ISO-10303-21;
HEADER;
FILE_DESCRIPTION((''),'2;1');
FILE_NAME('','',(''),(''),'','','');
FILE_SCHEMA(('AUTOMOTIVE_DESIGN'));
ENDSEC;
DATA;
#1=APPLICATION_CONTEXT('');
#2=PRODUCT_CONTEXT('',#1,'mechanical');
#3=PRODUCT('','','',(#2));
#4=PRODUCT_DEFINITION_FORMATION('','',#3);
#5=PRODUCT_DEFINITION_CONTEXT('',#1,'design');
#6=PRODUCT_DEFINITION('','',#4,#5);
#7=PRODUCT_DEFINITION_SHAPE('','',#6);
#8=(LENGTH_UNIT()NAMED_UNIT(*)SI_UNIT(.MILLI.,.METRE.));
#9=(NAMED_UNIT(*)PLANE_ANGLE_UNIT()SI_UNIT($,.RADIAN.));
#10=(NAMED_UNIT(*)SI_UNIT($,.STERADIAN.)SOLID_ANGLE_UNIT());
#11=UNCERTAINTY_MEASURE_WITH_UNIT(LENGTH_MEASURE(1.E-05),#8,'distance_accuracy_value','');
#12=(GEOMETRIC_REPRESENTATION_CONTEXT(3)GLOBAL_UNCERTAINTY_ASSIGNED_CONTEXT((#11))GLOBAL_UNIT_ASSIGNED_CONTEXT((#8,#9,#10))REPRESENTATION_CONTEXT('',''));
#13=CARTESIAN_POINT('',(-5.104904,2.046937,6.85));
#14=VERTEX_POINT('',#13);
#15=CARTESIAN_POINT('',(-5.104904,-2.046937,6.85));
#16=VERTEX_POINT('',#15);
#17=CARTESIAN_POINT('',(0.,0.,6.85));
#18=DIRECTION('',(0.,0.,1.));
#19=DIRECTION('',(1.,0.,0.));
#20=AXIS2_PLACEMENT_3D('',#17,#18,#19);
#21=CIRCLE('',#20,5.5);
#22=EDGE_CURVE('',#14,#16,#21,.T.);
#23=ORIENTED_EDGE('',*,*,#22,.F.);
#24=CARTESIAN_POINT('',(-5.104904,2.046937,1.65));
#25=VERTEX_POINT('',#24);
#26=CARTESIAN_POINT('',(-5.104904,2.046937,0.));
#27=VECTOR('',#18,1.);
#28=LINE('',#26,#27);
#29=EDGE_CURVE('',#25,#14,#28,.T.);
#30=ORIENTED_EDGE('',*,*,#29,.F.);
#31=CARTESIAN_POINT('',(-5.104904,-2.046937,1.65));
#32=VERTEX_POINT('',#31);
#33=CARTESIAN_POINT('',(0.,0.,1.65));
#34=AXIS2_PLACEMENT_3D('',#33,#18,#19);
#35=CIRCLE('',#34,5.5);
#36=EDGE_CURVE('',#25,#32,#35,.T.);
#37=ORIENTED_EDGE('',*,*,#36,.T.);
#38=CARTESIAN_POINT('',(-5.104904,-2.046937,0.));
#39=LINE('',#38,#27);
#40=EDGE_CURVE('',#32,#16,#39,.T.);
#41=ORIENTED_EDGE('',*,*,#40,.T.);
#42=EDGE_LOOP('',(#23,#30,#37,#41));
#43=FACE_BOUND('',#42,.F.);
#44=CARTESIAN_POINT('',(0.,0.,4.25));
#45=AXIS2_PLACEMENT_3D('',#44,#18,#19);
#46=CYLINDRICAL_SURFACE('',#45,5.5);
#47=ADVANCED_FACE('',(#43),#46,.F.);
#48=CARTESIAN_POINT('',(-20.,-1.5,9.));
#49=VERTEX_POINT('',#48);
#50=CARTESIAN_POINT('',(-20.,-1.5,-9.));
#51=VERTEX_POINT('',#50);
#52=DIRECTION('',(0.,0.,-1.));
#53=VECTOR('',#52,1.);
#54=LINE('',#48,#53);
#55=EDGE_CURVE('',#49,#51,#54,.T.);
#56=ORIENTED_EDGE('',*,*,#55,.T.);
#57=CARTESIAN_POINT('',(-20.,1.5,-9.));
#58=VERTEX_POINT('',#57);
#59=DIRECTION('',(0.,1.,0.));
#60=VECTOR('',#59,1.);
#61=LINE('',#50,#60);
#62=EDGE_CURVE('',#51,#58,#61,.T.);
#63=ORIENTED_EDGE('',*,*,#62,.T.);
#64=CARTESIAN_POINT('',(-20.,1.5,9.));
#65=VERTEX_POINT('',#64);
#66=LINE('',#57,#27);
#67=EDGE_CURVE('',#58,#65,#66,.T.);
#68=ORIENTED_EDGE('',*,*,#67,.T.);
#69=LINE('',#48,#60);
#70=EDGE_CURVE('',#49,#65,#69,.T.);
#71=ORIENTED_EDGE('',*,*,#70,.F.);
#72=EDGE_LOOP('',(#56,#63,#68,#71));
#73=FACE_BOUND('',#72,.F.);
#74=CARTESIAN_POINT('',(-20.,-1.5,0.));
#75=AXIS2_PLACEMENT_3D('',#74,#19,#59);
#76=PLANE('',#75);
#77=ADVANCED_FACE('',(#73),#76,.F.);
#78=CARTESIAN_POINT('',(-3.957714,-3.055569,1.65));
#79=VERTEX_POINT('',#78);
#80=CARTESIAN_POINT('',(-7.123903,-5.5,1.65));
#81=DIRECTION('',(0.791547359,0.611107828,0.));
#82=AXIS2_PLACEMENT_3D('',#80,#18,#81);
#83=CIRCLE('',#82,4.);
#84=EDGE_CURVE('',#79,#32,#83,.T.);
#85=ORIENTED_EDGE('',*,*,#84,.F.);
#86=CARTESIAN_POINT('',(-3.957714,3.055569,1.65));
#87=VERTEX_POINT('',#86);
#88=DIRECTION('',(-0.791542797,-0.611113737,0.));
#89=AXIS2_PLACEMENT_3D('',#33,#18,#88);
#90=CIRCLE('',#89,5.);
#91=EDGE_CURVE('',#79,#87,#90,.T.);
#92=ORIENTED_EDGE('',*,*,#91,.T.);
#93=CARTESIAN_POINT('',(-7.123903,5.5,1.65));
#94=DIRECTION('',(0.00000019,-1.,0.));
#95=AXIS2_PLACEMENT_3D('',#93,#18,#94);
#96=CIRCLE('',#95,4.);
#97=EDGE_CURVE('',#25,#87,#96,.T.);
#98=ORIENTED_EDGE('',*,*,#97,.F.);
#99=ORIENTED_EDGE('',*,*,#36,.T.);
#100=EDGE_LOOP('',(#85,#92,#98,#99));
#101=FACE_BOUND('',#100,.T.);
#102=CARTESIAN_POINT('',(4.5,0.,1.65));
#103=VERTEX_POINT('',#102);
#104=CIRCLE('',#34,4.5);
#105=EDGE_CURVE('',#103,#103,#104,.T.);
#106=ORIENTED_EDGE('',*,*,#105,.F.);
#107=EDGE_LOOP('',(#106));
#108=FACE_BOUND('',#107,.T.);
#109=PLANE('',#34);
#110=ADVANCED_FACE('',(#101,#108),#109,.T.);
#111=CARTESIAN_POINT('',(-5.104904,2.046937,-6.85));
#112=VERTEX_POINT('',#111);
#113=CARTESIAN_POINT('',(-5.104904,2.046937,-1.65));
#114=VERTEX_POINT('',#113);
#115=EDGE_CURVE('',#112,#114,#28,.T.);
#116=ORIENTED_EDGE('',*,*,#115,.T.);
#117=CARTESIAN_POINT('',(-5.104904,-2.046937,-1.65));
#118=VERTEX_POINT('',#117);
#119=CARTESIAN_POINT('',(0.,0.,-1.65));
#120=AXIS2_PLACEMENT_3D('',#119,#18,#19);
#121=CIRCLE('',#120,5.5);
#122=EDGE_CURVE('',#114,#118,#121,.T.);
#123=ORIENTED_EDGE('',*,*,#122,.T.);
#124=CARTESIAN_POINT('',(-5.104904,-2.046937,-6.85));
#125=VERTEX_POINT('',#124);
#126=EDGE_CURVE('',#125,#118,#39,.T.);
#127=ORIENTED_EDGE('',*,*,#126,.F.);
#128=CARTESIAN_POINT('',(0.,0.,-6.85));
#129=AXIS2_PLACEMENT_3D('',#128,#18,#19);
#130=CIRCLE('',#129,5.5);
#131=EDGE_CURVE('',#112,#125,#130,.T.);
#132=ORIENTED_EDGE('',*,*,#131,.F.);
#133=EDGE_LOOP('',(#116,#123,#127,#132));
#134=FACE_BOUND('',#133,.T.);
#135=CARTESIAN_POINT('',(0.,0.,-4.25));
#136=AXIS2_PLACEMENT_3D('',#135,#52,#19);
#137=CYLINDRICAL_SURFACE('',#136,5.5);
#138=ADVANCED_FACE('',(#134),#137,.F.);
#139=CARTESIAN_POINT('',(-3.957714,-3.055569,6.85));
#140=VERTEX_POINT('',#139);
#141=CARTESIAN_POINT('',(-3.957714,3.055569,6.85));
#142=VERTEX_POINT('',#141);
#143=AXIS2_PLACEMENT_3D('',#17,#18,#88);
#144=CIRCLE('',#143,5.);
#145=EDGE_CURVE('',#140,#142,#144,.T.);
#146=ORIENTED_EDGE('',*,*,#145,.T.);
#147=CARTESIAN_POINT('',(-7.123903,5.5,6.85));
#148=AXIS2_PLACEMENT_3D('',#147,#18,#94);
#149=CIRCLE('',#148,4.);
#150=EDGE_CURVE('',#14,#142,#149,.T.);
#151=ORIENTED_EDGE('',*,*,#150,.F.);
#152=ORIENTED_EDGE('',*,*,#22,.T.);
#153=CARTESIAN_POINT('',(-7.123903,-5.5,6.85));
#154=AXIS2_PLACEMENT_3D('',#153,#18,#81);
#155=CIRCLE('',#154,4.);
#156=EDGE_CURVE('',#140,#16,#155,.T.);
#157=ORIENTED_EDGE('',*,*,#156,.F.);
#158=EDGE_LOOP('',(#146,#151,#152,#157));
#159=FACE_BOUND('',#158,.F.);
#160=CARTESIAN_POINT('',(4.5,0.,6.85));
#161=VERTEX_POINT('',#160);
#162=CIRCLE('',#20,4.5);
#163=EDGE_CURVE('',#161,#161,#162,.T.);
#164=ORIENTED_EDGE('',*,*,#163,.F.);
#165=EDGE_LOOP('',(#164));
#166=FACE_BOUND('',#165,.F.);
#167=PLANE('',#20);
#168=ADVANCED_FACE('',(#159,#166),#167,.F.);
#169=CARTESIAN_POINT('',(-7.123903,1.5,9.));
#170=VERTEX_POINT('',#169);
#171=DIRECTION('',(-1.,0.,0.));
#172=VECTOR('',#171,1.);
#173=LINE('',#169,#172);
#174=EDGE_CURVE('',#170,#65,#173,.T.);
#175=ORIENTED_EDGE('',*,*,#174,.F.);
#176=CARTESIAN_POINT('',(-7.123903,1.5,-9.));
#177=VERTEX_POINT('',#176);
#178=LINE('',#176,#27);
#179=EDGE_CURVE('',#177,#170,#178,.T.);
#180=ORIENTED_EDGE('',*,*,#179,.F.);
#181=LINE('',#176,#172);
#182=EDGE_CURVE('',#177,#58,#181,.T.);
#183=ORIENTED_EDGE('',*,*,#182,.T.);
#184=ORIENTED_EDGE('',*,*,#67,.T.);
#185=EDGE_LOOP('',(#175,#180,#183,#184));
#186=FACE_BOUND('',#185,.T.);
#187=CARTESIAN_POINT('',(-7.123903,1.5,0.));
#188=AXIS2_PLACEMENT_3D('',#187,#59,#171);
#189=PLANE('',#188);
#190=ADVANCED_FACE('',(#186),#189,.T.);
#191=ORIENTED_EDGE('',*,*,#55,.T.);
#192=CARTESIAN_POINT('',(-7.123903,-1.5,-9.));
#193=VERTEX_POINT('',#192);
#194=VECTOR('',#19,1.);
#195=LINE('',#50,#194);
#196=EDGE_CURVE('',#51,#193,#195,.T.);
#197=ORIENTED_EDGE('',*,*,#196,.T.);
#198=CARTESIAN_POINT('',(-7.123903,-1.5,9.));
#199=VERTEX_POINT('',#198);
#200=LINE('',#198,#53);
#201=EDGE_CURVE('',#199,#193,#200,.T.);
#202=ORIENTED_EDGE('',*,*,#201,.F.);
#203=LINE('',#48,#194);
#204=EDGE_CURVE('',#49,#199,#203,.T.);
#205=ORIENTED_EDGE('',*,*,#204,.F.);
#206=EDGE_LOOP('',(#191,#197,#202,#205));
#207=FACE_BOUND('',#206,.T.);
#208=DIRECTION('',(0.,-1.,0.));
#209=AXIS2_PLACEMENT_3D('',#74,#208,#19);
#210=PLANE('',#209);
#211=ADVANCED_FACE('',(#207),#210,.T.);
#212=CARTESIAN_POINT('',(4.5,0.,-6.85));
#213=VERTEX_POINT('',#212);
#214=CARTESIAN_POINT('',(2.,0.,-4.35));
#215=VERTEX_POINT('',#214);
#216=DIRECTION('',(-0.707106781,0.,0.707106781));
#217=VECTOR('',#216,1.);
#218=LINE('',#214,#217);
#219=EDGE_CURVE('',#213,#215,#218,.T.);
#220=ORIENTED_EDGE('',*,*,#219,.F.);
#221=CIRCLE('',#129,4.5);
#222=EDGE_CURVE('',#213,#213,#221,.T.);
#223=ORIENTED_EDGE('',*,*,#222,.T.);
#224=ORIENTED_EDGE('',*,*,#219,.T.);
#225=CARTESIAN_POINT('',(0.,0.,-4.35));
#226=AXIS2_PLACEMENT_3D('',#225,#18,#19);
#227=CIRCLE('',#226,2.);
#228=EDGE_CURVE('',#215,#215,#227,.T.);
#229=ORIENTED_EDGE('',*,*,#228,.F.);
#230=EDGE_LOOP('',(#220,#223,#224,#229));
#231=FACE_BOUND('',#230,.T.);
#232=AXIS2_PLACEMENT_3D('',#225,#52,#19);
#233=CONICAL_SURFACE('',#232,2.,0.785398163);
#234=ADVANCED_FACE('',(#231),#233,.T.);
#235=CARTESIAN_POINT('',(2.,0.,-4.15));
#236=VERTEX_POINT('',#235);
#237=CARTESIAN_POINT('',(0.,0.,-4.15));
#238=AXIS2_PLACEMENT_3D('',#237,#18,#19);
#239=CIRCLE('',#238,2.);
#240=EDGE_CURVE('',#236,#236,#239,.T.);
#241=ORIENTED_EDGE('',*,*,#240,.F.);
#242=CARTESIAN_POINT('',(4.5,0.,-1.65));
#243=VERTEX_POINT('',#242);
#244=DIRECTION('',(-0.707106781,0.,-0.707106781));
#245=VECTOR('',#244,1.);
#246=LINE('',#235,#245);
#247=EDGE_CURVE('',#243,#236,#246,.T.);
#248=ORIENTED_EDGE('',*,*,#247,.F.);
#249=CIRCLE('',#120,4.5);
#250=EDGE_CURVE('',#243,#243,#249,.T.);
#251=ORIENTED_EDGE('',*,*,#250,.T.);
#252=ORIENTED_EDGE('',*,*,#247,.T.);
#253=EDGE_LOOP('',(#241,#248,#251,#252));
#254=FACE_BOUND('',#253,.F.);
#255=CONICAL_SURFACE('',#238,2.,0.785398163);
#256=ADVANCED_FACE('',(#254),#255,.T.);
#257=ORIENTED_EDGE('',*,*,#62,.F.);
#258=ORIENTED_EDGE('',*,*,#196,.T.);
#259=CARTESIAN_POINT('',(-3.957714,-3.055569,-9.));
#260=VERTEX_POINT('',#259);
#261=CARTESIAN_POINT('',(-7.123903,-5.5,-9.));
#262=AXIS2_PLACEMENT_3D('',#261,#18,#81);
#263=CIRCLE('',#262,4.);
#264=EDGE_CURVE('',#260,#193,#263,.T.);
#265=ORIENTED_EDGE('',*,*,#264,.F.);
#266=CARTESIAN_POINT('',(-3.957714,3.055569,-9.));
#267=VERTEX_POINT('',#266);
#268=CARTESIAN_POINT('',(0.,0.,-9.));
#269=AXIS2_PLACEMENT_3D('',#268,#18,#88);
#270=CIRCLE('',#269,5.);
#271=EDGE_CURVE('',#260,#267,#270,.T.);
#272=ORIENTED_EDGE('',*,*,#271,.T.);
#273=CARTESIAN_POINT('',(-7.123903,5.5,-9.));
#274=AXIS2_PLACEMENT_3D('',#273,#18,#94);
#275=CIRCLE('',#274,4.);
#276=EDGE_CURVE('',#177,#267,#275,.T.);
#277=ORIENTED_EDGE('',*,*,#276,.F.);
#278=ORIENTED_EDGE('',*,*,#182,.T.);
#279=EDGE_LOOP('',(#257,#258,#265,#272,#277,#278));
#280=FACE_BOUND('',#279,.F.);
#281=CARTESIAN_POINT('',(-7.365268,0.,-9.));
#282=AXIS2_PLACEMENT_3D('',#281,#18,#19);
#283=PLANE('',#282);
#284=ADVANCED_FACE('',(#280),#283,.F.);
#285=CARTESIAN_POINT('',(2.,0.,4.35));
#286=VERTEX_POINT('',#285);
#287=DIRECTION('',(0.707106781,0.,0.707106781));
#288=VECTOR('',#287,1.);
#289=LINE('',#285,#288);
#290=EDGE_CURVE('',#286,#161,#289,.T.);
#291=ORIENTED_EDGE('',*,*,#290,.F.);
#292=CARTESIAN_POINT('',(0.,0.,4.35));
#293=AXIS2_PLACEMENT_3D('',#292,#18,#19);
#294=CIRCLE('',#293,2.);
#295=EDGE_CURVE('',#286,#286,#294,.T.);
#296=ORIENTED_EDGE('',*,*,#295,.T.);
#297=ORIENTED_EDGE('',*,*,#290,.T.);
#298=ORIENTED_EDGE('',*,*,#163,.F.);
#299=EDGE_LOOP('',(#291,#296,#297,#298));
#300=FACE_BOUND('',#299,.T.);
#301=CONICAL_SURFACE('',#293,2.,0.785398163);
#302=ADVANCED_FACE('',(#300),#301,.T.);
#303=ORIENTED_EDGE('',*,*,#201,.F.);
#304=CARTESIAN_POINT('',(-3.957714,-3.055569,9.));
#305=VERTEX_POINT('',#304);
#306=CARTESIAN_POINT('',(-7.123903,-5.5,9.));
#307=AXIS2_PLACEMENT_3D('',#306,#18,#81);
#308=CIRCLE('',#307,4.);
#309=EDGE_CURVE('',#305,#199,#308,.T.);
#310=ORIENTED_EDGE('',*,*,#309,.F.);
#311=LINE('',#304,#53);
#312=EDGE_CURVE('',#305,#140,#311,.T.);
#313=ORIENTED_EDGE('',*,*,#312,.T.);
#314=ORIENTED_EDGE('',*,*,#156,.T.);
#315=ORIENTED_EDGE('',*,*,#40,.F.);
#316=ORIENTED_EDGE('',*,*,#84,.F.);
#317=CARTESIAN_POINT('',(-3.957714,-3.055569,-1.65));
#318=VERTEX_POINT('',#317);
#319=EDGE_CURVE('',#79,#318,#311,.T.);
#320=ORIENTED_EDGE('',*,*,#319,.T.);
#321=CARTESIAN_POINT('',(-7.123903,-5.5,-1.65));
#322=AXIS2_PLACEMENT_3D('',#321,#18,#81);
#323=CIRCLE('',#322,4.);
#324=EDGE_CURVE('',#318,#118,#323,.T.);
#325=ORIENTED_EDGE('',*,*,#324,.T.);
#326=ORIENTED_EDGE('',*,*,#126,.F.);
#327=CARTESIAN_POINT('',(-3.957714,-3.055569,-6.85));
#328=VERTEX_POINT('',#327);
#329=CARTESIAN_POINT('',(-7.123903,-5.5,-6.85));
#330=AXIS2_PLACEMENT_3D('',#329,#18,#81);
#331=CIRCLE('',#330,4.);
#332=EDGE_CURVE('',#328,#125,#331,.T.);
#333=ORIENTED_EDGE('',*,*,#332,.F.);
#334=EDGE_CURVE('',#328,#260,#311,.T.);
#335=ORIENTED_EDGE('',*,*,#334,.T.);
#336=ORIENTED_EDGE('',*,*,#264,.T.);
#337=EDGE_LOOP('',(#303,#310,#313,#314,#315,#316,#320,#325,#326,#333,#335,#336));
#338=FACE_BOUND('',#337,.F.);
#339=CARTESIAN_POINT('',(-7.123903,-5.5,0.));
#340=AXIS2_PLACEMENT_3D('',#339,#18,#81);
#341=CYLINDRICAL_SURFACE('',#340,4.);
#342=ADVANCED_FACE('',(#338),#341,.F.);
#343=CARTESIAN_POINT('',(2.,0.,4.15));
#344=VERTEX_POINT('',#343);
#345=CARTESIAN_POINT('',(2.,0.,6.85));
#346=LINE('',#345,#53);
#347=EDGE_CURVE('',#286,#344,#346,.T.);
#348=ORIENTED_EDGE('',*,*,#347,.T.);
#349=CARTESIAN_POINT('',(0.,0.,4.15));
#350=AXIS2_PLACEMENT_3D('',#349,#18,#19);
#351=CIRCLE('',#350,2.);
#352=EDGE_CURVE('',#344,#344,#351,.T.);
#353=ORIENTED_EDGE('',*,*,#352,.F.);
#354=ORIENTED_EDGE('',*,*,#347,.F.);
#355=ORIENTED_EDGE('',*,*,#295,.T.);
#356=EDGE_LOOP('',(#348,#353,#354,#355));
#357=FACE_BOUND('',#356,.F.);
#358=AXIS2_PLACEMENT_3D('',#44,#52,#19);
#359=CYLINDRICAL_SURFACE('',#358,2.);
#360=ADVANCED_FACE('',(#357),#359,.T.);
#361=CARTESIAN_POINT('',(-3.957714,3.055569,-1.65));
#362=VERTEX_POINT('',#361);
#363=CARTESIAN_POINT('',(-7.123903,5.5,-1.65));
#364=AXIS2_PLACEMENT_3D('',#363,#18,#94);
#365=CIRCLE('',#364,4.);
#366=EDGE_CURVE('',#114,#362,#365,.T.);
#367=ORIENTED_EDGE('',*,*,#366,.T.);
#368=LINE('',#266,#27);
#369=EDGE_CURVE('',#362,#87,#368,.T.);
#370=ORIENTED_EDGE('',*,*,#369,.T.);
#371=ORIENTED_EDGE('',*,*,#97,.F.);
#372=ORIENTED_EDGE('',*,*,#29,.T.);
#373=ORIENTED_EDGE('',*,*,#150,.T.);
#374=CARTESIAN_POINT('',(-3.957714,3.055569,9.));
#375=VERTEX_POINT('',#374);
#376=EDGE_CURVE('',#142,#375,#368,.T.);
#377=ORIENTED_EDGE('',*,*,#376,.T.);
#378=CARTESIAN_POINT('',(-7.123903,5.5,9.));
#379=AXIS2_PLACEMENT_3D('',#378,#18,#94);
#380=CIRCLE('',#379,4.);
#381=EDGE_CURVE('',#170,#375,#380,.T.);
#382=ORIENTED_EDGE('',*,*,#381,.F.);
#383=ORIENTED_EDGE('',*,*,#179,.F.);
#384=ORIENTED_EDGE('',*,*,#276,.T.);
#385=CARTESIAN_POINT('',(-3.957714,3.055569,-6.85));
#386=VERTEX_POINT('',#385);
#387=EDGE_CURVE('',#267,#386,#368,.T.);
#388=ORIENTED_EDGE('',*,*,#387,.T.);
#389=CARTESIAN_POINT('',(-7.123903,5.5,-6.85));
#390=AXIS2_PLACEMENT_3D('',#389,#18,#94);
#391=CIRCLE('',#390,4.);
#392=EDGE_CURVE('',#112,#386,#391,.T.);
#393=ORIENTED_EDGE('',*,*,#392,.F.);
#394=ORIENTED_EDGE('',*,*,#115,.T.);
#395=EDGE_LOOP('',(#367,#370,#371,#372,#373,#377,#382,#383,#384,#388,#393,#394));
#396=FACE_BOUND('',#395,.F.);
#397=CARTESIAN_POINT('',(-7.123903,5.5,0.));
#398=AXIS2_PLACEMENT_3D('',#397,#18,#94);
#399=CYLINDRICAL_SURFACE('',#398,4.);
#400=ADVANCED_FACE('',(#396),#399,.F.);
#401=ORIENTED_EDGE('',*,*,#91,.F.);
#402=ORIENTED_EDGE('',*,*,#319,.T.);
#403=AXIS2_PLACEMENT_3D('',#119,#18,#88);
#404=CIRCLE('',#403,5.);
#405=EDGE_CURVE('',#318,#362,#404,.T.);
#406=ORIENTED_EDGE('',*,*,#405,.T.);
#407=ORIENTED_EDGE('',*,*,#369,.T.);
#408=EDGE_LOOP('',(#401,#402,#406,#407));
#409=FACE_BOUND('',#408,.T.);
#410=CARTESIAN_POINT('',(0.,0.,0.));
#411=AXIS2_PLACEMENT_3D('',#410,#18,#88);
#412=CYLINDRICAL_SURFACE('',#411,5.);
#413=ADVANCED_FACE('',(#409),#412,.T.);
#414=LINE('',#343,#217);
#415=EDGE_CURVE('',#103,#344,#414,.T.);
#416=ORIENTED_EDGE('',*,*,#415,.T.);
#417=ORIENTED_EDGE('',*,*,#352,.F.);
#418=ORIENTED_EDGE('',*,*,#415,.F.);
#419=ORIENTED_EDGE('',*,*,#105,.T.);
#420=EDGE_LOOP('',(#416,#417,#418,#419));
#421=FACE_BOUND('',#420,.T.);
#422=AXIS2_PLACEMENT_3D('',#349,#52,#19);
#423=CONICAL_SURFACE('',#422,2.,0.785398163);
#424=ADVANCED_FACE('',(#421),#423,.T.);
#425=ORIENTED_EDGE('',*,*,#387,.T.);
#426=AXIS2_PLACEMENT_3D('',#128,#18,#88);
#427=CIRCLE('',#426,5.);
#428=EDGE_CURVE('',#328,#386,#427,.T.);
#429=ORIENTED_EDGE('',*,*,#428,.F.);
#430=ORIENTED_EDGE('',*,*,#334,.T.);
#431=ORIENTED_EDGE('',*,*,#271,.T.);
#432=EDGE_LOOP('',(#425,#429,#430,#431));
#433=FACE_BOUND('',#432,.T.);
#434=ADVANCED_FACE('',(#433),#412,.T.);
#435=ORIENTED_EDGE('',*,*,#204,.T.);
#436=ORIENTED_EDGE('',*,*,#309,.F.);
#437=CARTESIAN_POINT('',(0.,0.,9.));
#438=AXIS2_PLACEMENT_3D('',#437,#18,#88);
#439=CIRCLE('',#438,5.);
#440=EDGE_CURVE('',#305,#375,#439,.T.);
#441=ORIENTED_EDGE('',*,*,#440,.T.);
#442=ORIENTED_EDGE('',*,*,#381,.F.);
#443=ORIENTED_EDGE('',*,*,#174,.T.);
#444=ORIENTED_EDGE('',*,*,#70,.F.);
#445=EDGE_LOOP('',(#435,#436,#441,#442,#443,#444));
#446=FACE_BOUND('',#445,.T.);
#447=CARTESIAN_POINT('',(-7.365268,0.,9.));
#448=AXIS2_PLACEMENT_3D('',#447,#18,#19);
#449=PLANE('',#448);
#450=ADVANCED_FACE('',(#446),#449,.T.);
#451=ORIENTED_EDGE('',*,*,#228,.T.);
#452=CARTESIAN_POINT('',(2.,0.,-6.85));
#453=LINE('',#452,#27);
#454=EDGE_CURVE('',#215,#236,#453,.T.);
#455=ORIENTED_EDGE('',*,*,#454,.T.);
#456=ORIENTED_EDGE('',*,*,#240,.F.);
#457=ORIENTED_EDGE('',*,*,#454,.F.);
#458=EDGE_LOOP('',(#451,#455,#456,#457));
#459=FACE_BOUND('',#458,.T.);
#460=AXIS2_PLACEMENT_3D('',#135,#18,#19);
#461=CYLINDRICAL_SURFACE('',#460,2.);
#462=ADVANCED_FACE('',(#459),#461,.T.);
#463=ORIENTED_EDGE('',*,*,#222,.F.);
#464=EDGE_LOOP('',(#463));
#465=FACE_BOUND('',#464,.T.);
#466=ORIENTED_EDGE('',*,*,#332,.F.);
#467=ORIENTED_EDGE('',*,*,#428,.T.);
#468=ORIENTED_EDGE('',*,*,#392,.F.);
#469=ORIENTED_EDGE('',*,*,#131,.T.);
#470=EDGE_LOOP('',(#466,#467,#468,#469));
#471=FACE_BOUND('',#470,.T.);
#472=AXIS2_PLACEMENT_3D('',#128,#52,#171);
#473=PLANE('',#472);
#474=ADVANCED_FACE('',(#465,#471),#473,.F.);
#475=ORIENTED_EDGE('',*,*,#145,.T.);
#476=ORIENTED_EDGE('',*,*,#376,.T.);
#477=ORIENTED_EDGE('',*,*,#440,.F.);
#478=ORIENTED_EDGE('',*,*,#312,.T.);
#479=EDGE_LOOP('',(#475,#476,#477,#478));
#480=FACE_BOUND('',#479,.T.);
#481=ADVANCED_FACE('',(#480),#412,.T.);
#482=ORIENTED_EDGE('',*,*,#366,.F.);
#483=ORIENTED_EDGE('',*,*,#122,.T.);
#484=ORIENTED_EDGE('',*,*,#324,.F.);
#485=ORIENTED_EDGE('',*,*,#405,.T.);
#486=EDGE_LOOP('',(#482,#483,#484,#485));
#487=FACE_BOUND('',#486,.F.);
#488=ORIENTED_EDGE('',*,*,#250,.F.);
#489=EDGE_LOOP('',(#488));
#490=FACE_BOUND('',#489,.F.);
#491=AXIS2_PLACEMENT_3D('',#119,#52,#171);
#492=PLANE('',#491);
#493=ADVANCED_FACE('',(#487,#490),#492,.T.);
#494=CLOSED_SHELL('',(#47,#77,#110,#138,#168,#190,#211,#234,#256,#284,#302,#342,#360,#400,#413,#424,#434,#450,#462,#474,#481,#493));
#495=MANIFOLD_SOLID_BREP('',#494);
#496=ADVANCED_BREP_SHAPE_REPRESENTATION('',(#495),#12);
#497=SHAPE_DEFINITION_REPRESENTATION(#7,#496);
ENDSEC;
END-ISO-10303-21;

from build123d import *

# Parameters (mm, degrees)
PAD001_DEPTH  = 9
SKETCH005_R   = 5.5
SKETCH005_R_2 = 2
POCKET_DEPTH  = 2.6
CHAMFER_SIZE  = 2.5


with BuildPart() as part:
    # Sketch003 → Pad001 (new body, symmetric)
    with BuildSketch(Plane.XY):
        with BuildLine():
            ThreePointArc((-3.9577139867, -3.0555686868), (5, -2.4e-09), (-3.9577139837, 3.0555686906))
            ThreePointArc((-7.1239026623, 1.5), (-5.3600614281, 1.9098939553), (-3.9577139838, 3.0555686907))
            Line((-7.1239026623, 1.5), (-20, 1.5))
            Line((-20, -1.5), (-20, 1.5))
            Line((-20, -1.5), (-7.1239026639, -1.5))
            ThreePointArc((-3.9577139867, -3.0555686868), (-5.360061431, -1.9098939539), (-7.1239026639, -1.5))
        make_face()
    extrude(amount=PAD001_DEPTH, both=True)

    # Sketch005 → Pocket (cut, symmetric)
    with BuildSketch(Plane.XY.offset(4.25)):
        Circle(SKETCH005_R)
        Circle(SKETCH005_R_2, mode=Mode.SUBTRACT)
    pocket = extrude(amount=POCKET_DEPTH, both=True, mode=Mode.SUBTRACT)

    # Mirrored: Pocket across XY
    add(pocket.mirror(Plane.XY), mode=Mode.SUBTRACT)

    # Chamfer
    chamfer_edges = [part.edges().sort_by_distance(p)[0] for p in [
        (-2, 0, -6.85),
        (-2, 0, 1.65),
        (-2, 0, 6.85),
        (-2, 0, -1.65),
    ]]
    chamfer(chamfer_edges, length=CHAMFER_SIZE)


solid = part.part
